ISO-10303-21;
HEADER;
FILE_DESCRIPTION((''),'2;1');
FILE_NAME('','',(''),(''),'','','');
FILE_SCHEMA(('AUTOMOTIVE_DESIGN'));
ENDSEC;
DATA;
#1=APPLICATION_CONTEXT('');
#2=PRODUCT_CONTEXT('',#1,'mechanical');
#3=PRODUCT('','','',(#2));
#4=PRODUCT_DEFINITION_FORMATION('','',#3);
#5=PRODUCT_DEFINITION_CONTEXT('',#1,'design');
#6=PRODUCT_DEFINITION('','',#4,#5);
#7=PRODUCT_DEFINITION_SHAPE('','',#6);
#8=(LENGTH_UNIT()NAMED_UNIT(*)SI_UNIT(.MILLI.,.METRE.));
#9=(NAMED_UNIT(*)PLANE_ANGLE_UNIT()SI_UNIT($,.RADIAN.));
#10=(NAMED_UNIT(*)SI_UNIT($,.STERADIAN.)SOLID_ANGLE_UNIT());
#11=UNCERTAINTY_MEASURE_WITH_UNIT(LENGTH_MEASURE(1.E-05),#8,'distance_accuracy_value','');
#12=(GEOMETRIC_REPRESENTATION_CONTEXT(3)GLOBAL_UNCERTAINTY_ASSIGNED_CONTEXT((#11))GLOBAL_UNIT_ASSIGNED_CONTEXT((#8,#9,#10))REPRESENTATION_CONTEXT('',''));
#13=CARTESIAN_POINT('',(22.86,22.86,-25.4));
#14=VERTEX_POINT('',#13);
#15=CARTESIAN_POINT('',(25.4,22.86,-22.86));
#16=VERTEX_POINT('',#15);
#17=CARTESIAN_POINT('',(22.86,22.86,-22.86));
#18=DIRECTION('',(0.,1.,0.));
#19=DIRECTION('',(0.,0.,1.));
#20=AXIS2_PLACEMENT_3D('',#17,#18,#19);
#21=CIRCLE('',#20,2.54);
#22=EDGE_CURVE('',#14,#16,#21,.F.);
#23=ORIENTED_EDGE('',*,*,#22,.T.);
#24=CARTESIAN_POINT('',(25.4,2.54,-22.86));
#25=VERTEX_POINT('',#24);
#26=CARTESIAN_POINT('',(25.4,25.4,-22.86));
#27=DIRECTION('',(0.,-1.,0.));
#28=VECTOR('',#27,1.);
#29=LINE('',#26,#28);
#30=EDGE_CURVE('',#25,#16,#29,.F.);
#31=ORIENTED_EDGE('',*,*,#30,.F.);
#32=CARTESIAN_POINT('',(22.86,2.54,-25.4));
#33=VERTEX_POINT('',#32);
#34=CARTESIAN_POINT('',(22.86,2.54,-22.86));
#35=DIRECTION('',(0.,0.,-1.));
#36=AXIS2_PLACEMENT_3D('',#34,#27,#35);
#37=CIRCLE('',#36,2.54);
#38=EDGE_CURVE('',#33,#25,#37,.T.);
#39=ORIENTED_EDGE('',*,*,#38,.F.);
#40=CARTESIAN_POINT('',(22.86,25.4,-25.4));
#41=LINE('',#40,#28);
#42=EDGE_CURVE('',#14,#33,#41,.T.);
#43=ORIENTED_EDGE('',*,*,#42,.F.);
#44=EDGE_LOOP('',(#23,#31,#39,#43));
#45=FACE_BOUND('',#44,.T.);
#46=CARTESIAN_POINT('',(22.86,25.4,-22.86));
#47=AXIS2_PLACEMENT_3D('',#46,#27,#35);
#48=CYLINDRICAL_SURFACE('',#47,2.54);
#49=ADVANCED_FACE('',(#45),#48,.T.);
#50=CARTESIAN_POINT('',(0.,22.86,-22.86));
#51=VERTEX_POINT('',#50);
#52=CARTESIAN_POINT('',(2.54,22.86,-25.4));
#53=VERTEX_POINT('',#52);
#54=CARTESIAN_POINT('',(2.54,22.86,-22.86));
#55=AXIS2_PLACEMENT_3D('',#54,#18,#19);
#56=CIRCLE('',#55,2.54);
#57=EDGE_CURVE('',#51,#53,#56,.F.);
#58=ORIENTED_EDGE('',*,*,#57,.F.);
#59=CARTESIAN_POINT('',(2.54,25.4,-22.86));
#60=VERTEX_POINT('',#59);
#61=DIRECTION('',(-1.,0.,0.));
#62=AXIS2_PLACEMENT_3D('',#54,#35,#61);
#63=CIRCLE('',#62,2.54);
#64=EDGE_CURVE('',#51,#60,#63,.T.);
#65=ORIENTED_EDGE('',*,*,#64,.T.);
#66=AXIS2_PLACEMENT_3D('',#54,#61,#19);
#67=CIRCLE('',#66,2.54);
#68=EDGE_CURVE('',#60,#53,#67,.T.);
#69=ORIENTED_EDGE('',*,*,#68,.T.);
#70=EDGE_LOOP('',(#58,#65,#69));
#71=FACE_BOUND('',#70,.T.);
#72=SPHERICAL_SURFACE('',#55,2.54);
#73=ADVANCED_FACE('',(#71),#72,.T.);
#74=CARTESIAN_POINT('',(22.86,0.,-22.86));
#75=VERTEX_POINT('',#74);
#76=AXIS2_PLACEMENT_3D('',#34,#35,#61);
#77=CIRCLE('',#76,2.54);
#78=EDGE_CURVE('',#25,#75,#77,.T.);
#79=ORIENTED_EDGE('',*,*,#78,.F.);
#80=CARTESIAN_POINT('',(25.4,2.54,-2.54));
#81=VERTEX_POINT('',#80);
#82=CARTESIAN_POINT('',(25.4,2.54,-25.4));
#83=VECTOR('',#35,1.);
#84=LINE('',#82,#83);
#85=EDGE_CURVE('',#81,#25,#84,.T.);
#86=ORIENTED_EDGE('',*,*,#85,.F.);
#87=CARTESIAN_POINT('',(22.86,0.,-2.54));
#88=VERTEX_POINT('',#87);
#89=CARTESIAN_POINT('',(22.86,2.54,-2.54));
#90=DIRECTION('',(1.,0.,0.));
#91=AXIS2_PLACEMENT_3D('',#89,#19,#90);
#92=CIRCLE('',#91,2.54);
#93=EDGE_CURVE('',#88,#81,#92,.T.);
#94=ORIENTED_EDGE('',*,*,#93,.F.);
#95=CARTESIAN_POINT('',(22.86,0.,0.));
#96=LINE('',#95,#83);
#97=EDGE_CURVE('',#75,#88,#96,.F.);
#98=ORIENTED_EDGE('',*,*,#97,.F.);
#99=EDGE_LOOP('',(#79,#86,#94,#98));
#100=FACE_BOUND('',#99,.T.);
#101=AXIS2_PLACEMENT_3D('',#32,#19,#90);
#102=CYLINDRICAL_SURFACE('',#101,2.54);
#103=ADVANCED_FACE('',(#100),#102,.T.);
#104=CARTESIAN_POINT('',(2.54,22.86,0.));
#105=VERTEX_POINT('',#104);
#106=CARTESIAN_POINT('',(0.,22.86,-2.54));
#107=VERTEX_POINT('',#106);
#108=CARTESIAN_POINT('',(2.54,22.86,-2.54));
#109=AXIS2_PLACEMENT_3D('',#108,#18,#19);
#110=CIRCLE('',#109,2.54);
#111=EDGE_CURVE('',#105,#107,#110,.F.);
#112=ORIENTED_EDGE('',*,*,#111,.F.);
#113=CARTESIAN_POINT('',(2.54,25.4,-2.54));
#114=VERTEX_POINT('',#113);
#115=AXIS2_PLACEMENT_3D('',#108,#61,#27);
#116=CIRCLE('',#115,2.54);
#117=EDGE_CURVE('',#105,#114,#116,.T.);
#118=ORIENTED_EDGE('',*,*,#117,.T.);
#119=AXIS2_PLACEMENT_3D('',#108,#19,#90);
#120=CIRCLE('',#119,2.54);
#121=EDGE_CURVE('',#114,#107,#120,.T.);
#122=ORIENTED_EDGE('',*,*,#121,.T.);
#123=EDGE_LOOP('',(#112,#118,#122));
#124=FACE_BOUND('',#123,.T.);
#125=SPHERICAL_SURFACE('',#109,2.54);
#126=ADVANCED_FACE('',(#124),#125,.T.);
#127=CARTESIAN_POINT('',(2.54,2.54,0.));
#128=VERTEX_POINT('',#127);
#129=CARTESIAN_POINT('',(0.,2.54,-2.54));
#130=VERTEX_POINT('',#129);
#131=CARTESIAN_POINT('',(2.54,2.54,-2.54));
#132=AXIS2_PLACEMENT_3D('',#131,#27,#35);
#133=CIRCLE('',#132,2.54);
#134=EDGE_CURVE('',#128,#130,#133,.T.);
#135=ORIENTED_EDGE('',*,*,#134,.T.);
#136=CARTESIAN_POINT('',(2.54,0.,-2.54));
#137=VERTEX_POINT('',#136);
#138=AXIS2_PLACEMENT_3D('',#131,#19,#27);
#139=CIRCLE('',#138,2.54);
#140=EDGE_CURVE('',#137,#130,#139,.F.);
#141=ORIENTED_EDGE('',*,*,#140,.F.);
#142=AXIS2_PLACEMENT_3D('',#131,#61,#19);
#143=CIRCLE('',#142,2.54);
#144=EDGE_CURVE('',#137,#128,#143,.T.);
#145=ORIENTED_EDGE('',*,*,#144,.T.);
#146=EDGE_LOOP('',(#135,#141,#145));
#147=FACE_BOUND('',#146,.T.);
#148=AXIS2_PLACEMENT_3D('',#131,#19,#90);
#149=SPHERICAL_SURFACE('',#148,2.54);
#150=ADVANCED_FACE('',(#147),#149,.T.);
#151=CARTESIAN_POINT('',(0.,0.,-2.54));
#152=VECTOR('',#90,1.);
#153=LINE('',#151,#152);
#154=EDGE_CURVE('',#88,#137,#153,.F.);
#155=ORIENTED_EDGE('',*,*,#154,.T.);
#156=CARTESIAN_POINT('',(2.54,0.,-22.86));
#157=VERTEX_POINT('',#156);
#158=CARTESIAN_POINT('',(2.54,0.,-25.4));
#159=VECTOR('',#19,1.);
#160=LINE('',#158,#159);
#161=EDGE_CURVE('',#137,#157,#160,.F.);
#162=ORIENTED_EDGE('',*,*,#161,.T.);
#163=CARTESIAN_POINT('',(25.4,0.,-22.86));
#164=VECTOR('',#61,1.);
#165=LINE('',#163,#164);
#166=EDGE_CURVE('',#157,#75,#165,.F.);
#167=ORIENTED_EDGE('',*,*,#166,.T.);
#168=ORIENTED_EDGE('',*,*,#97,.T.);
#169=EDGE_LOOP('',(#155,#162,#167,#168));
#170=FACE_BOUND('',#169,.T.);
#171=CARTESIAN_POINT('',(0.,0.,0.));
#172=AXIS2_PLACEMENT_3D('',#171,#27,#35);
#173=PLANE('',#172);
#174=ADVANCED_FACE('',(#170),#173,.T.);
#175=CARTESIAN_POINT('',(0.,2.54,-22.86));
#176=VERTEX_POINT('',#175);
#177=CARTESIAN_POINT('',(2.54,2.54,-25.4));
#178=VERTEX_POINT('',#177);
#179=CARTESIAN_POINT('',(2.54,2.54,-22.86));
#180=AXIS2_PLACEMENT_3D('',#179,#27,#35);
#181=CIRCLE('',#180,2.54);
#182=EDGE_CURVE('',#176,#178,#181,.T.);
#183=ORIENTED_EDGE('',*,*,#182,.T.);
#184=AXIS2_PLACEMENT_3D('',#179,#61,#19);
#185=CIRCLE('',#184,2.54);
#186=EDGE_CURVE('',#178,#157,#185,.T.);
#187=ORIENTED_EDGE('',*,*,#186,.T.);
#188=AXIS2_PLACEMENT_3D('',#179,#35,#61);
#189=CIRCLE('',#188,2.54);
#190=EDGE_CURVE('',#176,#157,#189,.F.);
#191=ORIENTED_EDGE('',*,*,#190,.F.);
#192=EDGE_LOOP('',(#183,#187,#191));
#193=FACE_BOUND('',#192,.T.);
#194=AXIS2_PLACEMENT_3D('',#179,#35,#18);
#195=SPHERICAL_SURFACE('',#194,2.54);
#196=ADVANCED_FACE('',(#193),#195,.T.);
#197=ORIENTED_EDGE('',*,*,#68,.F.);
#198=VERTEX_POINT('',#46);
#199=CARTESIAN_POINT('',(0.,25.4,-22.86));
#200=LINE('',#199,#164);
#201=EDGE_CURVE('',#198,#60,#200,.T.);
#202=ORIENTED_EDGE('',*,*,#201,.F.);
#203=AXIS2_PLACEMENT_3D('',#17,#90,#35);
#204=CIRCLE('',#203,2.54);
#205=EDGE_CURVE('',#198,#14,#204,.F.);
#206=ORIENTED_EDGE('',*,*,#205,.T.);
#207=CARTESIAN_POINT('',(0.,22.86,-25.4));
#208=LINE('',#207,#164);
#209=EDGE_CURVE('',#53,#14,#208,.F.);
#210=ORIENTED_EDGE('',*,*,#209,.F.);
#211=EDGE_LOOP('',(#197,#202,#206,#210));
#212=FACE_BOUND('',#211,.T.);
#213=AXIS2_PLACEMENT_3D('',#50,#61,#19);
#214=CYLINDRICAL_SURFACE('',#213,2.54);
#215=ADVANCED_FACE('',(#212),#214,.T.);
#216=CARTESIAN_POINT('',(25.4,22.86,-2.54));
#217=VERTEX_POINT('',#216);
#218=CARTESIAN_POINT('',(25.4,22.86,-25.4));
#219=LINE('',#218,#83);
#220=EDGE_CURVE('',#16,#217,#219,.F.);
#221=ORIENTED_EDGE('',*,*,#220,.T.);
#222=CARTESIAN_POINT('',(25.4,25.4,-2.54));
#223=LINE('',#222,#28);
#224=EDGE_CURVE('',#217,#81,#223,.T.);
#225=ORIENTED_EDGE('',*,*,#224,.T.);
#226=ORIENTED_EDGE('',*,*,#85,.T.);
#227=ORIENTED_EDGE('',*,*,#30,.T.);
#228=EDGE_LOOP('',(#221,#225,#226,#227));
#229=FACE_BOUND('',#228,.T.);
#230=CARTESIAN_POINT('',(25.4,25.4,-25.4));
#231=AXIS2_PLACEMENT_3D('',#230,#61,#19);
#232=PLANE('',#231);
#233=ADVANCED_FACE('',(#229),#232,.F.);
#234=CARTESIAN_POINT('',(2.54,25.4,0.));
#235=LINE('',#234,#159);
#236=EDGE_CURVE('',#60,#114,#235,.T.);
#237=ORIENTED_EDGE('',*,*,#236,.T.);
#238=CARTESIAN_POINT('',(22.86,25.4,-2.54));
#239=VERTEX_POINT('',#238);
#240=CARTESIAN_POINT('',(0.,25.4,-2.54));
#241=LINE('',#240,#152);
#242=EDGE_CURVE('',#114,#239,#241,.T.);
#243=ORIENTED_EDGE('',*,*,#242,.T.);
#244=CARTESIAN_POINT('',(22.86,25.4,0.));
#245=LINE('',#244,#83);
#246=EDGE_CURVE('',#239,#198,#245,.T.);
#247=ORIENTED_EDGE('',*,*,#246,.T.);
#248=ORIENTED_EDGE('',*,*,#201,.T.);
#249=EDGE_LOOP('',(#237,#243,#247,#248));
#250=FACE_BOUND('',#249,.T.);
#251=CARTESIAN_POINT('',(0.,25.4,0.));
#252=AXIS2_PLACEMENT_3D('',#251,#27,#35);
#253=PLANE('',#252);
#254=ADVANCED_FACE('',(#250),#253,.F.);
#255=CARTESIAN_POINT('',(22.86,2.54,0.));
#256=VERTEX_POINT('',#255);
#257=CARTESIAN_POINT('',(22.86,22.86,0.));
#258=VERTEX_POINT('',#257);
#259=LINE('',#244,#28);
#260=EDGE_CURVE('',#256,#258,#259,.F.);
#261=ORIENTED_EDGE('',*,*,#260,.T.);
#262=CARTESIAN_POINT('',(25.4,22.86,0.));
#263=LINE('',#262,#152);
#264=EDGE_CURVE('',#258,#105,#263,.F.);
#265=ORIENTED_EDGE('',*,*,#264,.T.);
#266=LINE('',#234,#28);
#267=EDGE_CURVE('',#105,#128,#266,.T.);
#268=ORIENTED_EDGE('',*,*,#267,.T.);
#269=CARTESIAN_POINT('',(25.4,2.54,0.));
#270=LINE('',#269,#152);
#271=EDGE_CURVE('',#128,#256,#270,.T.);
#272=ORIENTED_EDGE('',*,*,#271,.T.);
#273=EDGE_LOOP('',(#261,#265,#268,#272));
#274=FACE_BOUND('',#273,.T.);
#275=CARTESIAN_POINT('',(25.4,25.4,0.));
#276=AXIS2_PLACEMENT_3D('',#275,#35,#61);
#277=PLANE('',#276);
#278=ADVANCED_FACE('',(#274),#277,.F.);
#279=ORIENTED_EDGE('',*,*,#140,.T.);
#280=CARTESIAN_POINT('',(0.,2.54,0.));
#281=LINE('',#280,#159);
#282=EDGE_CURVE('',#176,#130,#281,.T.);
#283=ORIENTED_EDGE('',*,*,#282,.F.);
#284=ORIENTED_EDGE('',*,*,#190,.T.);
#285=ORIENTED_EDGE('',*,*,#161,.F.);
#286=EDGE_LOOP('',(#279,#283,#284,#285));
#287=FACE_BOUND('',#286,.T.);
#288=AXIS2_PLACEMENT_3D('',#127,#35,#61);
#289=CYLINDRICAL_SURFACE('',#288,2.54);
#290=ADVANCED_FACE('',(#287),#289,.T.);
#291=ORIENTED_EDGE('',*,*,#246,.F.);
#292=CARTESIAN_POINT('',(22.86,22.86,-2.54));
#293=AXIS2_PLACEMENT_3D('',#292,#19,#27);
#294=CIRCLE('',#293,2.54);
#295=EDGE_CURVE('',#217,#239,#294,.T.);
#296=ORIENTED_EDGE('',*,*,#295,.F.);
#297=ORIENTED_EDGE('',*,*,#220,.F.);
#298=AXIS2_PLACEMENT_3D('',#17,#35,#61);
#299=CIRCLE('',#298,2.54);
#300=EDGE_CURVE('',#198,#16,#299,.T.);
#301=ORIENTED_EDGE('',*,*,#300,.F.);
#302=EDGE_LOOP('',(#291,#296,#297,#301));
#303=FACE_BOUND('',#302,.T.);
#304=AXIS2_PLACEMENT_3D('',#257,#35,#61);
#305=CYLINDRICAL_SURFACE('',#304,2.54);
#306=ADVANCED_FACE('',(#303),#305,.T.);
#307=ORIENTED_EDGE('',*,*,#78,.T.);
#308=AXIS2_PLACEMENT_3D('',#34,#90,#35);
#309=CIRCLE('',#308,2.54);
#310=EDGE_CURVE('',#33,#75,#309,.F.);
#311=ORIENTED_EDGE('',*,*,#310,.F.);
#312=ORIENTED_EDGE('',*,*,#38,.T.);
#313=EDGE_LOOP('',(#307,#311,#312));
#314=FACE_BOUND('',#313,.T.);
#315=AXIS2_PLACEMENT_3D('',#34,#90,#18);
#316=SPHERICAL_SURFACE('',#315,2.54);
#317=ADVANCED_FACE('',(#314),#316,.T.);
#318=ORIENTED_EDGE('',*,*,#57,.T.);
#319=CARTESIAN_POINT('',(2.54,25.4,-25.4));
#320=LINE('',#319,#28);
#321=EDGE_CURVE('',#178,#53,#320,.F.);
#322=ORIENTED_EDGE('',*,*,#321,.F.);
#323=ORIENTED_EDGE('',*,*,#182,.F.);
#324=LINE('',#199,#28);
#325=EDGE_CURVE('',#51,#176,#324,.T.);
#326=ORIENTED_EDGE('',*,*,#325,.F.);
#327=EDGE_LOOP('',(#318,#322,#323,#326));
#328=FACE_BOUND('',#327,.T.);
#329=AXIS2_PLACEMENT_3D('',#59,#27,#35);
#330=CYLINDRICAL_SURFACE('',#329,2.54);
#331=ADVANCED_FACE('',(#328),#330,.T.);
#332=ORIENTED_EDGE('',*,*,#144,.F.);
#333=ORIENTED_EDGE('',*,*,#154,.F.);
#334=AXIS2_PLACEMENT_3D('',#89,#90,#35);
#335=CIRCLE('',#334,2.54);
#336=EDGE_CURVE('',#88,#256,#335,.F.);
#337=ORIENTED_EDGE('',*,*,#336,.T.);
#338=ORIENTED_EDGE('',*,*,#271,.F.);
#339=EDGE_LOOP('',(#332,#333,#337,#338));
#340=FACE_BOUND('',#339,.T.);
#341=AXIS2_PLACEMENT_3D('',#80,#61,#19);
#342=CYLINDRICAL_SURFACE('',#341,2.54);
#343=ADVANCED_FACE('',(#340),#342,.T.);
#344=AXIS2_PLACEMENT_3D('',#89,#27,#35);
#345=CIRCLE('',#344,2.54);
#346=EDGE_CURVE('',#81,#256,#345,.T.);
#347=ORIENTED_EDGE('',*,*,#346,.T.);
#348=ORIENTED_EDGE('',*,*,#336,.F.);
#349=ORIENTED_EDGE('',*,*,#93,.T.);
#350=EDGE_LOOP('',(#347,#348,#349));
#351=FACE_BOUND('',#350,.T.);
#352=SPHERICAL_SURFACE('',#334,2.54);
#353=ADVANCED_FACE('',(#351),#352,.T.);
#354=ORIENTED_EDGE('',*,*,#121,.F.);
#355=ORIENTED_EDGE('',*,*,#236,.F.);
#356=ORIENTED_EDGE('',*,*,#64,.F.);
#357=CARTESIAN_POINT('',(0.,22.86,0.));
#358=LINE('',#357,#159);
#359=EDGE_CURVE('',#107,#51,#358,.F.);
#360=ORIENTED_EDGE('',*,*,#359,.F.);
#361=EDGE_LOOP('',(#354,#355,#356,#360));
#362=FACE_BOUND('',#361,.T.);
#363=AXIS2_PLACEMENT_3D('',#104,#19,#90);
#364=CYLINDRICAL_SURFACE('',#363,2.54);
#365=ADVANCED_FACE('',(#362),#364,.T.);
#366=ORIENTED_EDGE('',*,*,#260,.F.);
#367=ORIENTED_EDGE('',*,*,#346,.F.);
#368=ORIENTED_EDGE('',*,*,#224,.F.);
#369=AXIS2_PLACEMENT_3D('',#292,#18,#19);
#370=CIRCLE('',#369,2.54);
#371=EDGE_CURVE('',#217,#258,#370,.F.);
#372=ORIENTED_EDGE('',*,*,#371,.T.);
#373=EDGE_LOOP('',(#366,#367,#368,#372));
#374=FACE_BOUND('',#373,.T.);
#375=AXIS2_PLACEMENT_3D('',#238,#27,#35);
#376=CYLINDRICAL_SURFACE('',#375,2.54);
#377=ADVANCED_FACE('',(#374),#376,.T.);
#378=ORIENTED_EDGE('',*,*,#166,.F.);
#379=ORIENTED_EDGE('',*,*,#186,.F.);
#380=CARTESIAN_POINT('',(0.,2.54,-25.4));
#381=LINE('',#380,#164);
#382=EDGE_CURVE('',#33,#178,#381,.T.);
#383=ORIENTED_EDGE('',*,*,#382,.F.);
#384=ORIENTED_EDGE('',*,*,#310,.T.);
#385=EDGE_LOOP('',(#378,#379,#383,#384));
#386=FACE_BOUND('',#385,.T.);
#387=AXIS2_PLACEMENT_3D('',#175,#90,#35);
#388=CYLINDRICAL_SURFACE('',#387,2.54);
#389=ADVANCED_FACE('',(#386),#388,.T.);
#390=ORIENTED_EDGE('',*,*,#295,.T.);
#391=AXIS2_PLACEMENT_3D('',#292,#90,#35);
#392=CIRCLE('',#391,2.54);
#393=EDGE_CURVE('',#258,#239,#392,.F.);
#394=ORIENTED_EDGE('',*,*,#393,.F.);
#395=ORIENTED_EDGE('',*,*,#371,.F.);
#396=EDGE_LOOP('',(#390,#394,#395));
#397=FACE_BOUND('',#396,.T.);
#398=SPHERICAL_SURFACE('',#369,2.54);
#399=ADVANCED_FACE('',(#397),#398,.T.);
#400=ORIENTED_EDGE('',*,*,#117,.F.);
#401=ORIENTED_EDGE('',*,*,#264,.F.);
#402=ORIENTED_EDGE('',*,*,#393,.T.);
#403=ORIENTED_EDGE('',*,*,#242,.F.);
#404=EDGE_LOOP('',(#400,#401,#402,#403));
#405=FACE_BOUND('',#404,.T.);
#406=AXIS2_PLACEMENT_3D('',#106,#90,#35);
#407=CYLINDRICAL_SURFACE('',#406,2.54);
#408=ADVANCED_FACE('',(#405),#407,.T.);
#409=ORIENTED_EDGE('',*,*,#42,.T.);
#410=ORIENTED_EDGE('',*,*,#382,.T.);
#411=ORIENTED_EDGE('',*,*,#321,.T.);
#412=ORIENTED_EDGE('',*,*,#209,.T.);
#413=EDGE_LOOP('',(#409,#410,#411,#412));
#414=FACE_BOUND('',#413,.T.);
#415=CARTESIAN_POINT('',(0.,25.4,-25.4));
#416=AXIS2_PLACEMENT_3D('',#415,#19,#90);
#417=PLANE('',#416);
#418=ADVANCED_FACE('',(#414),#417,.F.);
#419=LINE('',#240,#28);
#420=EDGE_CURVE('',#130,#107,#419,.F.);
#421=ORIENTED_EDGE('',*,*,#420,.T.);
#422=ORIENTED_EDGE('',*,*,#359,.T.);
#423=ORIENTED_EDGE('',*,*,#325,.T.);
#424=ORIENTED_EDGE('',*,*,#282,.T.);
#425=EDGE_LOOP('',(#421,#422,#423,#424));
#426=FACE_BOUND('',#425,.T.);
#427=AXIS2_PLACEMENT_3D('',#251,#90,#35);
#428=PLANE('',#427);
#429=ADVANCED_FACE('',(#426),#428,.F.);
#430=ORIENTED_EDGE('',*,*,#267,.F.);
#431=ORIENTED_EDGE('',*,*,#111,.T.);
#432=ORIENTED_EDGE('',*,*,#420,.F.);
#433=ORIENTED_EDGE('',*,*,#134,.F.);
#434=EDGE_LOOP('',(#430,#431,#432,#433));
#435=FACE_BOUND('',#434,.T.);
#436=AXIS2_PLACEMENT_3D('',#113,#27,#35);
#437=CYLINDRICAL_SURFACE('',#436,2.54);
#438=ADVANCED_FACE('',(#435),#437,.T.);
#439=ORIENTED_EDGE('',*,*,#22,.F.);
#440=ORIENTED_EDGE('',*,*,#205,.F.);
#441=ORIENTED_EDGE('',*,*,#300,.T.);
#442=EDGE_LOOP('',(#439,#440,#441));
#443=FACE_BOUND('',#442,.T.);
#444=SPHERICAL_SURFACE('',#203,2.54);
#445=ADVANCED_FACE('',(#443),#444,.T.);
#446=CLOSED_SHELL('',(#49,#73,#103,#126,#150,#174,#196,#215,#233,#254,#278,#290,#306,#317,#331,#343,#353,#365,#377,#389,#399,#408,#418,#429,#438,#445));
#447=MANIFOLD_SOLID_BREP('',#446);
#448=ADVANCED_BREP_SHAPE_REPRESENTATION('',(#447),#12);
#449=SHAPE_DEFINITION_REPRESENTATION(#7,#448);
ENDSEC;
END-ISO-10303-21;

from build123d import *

# Parameters (mm, degrees)
SKETCH1_W           = 25.4
SKETCH1_H           = 25.4
BOSS_EXTRUDE1_DEPTH = 25.4
FILLET1_R           = 2.54


with BuildPart() as part:
    # Sketch1 → Boss-Extrude1 (new body)
    with BuildSketch(Plane(origin=(0, 0, 0), x_dir=(1, 0, 0), z_dir=(0, 1, 0))):
        with Locations((12.7, 12.7)):
            Rectangle(SKETCH1_W, SKETCH1_H)
    extrude(amount=BOSS_EXTRUDE1_DEPTH)

    # Fillet1
    fillet1_edges = [part.edges().sort_by_distance(p)[0] for p in [
        (12.7, 25.4, -25.4),
        (0, 25.4, -12.7),
        (12.7, 25.4, 0),
        (0, 0, -12.7),
        (12.7, 0, -25.4),
        (25.4, 0, -12.7),
        (12.7, 0, 0),
        (0, 12.7, 0),
        (0, 12.7, -25.4),
        (25.4, 12.7, -25.4),
        (25.4, 12.7, 0),
        (25.4, 25.4, -12.7),
    ]]
    fillet(fillet1_edges, radius=FILLET1_R)


solid = part.part
